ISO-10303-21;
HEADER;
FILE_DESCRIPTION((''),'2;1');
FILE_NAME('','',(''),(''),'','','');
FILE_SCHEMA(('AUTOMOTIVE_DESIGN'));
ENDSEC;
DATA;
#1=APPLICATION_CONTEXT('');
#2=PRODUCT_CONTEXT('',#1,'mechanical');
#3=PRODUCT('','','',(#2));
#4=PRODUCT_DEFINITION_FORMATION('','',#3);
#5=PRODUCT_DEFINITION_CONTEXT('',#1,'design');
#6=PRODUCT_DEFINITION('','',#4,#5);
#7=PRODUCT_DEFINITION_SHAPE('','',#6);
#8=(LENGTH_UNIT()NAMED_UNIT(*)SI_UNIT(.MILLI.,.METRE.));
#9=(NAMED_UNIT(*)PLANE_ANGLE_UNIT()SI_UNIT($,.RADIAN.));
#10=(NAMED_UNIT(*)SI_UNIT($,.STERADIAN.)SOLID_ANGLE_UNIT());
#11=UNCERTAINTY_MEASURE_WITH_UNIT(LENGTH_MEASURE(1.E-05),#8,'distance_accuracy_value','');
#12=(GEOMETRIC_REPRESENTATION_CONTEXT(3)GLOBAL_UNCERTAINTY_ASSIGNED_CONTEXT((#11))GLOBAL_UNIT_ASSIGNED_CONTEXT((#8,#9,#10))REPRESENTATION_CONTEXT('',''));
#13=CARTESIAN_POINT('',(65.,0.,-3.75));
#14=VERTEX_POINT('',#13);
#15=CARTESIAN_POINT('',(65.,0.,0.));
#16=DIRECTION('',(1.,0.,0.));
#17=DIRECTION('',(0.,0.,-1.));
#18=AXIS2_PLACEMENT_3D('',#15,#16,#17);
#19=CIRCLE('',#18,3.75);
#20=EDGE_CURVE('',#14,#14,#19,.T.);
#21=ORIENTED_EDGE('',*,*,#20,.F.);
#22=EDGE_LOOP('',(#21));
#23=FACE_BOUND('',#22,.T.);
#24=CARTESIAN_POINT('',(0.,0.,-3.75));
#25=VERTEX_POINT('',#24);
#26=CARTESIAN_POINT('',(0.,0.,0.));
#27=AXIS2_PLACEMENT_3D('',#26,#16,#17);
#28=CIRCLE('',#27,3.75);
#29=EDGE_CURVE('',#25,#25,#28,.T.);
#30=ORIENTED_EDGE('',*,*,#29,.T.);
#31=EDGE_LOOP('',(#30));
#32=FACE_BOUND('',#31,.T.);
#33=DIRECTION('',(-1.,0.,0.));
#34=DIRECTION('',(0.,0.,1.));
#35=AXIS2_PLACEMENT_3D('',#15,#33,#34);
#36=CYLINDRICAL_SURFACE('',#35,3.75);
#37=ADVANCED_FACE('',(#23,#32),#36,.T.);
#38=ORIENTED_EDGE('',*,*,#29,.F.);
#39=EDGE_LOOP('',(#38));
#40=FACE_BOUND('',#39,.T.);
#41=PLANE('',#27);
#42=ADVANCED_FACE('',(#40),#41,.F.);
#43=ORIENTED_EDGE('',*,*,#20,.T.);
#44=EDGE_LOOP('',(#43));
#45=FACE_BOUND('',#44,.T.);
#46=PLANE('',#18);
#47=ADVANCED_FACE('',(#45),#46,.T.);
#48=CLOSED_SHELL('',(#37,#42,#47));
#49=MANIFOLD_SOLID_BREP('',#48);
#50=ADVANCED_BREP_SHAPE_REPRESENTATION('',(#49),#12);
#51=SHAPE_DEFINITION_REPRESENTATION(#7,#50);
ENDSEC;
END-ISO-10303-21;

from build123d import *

# Parameters (mm, degrees)
SKETCH2_R          = 3.75
BASE_EXTRUDE_DEPTH = 65


with BuildPart() as part:
    # Sketch2 → Base-Extrude (new body)
    with BuildSketch(Plane(origin=(0, 0, 0), x_dir=(0, 0, -1), z_dir=(1, 0, 0))):
        Circle(SKETCH2_R)
    extrude(amount=BASE_EXTRUDE_DEPTH)


solid = part.part
